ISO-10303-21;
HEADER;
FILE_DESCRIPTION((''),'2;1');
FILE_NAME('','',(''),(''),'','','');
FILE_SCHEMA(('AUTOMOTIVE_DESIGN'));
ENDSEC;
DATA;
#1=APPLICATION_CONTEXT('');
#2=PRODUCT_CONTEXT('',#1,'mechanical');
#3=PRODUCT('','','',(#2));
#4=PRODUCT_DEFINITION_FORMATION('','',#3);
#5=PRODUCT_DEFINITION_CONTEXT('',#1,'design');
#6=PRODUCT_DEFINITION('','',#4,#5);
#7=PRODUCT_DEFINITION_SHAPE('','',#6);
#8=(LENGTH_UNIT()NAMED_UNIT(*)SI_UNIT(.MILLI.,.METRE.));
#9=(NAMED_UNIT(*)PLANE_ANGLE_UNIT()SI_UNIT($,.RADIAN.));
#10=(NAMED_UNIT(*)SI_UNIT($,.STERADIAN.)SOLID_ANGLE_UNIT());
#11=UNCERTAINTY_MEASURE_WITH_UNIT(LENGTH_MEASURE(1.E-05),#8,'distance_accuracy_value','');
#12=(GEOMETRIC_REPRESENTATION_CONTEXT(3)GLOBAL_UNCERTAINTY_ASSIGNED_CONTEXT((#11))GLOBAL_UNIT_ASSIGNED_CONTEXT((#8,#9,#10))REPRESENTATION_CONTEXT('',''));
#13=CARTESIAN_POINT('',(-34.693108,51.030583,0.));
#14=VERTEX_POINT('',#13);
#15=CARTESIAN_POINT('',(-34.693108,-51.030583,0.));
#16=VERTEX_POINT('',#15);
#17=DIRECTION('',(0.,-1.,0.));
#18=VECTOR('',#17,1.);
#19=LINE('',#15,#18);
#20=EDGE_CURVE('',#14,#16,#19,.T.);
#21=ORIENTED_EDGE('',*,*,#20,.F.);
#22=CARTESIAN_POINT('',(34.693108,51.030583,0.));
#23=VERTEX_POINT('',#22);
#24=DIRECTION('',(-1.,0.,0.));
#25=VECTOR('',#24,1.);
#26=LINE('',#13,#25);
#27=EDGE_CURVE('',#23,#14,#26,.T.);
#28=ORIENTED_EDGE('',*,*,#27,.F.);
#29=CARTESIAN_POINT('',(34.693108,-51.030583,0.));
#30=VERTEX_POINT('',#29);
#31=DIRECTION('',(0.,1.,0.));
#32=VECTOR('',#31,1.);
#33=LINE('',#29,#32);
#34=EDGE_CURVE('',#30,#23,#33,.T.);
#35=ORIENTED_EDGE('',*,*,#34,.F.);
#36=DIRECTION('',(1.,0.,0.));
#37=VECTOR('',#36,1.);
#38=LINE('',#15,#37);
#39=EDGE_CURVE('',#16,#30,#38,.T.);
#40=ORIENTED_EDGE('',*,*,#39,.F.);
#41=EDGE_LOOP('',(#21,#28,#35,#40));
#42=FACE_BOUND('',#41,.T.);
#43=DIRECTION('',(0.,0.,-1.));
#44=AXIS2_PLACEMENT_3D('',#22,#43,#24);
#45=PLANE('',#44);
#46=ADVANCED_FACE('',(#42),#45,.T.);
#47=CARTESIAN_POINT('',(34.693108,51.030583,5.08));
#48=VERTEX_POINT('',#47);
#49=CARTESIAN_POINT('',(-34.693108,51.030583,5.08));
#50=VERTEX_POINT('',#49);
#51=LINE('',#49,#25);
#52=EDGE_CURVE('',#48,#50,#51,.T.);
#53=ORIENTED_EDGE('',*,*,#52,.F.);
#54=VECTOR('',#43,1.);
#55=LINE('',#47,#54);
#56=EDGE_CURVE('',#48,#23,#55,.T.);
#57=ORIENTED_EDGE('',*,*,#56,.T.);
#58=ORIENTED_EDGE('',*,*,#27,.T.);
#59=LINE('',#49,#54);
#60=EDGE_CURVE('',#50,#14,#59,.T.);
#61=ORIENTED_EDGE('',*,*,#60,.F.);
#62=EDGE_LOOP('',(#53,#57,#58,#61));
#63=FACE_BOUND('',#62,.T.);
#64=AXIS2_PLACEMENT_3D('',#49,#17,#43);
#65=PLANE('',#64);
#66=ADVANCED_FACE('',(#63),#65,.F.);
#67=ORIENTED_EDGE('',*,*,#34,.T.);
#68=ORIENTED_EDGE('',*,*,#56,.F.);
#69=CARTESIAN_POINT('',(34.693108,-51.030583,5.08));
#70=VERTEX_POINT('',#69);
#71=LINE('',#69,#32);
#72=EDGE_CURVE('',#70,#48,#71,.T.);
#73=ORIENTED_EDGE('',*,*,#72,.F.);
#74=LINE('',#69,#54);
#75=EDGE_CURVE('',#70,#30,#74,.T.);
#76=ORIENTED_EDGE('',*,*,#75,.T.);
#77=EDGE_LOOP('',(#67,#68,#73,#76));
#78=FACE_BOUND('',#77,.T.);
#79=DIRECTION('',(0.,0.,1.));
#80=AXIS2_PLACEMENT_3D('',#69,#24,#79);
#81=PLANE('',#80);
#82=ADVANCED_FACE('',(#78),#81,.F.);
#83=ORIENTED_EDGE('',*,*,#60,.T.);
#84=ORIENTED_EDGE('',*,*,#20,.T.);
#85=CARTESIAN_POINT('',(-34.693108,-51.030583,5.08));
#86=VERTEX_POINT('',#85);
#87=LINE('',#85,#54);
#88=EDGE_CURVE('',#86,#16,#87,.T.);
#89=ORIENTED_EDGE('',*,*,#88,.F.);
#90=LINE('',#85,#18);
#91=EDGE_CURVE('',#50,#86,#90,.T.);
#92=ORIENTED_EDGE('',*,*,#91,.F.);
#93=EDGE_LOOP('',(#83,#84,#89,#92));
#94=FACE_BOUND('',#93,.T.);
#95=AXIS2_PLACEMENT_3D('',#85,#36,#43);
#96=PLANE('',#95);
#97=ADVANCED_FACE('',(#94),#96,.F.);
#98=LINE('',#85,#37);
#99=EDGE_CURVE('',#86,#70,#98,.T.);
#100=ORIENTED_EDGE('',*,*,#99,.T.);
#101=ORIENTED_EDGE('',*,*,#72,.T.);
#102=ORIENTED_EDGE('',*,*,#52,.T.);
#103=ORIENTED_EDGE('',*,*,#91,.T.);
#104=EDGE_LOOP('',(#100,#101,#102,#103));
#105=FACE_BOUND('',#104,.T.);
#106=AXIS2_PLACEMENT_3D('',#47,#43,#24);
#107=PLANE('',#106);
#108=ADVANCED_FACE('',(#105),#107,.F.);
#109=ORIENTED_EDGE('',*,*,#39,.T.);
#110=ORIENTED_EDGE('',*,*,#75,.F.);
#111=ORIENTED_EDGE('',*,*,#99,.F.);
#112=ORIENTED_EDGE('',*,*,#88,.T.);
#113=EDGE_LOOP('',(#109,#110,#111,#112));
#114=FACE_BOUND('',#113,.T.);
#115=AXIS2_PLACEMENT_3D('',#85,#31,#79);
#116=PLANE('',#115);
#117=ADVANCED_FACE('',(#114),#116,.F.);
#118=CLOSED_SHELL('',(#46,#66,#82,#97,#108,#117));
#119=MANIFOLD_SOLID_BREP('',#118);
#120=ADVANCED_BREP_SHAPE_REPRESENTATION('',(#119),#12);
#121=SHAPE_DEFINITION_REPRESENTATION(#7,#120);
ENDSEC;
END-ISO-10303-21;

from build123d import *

# Parameters (mm, degrees)
SKETCH1_W      = 69.386216698
SKETCH1_H      = 102.061166388
EXTRUDE1_DEPTH = 5.08


with BuildPart() as part:
    # Sketch1 → Extrude1 (new body)
    with BuildSketch(Plane.XY):
        Rectangle(SKETCH1_W, SKETCH1_H)
    extrude(amount=EXTRUDE1_DEPTH)


solid = part.part
